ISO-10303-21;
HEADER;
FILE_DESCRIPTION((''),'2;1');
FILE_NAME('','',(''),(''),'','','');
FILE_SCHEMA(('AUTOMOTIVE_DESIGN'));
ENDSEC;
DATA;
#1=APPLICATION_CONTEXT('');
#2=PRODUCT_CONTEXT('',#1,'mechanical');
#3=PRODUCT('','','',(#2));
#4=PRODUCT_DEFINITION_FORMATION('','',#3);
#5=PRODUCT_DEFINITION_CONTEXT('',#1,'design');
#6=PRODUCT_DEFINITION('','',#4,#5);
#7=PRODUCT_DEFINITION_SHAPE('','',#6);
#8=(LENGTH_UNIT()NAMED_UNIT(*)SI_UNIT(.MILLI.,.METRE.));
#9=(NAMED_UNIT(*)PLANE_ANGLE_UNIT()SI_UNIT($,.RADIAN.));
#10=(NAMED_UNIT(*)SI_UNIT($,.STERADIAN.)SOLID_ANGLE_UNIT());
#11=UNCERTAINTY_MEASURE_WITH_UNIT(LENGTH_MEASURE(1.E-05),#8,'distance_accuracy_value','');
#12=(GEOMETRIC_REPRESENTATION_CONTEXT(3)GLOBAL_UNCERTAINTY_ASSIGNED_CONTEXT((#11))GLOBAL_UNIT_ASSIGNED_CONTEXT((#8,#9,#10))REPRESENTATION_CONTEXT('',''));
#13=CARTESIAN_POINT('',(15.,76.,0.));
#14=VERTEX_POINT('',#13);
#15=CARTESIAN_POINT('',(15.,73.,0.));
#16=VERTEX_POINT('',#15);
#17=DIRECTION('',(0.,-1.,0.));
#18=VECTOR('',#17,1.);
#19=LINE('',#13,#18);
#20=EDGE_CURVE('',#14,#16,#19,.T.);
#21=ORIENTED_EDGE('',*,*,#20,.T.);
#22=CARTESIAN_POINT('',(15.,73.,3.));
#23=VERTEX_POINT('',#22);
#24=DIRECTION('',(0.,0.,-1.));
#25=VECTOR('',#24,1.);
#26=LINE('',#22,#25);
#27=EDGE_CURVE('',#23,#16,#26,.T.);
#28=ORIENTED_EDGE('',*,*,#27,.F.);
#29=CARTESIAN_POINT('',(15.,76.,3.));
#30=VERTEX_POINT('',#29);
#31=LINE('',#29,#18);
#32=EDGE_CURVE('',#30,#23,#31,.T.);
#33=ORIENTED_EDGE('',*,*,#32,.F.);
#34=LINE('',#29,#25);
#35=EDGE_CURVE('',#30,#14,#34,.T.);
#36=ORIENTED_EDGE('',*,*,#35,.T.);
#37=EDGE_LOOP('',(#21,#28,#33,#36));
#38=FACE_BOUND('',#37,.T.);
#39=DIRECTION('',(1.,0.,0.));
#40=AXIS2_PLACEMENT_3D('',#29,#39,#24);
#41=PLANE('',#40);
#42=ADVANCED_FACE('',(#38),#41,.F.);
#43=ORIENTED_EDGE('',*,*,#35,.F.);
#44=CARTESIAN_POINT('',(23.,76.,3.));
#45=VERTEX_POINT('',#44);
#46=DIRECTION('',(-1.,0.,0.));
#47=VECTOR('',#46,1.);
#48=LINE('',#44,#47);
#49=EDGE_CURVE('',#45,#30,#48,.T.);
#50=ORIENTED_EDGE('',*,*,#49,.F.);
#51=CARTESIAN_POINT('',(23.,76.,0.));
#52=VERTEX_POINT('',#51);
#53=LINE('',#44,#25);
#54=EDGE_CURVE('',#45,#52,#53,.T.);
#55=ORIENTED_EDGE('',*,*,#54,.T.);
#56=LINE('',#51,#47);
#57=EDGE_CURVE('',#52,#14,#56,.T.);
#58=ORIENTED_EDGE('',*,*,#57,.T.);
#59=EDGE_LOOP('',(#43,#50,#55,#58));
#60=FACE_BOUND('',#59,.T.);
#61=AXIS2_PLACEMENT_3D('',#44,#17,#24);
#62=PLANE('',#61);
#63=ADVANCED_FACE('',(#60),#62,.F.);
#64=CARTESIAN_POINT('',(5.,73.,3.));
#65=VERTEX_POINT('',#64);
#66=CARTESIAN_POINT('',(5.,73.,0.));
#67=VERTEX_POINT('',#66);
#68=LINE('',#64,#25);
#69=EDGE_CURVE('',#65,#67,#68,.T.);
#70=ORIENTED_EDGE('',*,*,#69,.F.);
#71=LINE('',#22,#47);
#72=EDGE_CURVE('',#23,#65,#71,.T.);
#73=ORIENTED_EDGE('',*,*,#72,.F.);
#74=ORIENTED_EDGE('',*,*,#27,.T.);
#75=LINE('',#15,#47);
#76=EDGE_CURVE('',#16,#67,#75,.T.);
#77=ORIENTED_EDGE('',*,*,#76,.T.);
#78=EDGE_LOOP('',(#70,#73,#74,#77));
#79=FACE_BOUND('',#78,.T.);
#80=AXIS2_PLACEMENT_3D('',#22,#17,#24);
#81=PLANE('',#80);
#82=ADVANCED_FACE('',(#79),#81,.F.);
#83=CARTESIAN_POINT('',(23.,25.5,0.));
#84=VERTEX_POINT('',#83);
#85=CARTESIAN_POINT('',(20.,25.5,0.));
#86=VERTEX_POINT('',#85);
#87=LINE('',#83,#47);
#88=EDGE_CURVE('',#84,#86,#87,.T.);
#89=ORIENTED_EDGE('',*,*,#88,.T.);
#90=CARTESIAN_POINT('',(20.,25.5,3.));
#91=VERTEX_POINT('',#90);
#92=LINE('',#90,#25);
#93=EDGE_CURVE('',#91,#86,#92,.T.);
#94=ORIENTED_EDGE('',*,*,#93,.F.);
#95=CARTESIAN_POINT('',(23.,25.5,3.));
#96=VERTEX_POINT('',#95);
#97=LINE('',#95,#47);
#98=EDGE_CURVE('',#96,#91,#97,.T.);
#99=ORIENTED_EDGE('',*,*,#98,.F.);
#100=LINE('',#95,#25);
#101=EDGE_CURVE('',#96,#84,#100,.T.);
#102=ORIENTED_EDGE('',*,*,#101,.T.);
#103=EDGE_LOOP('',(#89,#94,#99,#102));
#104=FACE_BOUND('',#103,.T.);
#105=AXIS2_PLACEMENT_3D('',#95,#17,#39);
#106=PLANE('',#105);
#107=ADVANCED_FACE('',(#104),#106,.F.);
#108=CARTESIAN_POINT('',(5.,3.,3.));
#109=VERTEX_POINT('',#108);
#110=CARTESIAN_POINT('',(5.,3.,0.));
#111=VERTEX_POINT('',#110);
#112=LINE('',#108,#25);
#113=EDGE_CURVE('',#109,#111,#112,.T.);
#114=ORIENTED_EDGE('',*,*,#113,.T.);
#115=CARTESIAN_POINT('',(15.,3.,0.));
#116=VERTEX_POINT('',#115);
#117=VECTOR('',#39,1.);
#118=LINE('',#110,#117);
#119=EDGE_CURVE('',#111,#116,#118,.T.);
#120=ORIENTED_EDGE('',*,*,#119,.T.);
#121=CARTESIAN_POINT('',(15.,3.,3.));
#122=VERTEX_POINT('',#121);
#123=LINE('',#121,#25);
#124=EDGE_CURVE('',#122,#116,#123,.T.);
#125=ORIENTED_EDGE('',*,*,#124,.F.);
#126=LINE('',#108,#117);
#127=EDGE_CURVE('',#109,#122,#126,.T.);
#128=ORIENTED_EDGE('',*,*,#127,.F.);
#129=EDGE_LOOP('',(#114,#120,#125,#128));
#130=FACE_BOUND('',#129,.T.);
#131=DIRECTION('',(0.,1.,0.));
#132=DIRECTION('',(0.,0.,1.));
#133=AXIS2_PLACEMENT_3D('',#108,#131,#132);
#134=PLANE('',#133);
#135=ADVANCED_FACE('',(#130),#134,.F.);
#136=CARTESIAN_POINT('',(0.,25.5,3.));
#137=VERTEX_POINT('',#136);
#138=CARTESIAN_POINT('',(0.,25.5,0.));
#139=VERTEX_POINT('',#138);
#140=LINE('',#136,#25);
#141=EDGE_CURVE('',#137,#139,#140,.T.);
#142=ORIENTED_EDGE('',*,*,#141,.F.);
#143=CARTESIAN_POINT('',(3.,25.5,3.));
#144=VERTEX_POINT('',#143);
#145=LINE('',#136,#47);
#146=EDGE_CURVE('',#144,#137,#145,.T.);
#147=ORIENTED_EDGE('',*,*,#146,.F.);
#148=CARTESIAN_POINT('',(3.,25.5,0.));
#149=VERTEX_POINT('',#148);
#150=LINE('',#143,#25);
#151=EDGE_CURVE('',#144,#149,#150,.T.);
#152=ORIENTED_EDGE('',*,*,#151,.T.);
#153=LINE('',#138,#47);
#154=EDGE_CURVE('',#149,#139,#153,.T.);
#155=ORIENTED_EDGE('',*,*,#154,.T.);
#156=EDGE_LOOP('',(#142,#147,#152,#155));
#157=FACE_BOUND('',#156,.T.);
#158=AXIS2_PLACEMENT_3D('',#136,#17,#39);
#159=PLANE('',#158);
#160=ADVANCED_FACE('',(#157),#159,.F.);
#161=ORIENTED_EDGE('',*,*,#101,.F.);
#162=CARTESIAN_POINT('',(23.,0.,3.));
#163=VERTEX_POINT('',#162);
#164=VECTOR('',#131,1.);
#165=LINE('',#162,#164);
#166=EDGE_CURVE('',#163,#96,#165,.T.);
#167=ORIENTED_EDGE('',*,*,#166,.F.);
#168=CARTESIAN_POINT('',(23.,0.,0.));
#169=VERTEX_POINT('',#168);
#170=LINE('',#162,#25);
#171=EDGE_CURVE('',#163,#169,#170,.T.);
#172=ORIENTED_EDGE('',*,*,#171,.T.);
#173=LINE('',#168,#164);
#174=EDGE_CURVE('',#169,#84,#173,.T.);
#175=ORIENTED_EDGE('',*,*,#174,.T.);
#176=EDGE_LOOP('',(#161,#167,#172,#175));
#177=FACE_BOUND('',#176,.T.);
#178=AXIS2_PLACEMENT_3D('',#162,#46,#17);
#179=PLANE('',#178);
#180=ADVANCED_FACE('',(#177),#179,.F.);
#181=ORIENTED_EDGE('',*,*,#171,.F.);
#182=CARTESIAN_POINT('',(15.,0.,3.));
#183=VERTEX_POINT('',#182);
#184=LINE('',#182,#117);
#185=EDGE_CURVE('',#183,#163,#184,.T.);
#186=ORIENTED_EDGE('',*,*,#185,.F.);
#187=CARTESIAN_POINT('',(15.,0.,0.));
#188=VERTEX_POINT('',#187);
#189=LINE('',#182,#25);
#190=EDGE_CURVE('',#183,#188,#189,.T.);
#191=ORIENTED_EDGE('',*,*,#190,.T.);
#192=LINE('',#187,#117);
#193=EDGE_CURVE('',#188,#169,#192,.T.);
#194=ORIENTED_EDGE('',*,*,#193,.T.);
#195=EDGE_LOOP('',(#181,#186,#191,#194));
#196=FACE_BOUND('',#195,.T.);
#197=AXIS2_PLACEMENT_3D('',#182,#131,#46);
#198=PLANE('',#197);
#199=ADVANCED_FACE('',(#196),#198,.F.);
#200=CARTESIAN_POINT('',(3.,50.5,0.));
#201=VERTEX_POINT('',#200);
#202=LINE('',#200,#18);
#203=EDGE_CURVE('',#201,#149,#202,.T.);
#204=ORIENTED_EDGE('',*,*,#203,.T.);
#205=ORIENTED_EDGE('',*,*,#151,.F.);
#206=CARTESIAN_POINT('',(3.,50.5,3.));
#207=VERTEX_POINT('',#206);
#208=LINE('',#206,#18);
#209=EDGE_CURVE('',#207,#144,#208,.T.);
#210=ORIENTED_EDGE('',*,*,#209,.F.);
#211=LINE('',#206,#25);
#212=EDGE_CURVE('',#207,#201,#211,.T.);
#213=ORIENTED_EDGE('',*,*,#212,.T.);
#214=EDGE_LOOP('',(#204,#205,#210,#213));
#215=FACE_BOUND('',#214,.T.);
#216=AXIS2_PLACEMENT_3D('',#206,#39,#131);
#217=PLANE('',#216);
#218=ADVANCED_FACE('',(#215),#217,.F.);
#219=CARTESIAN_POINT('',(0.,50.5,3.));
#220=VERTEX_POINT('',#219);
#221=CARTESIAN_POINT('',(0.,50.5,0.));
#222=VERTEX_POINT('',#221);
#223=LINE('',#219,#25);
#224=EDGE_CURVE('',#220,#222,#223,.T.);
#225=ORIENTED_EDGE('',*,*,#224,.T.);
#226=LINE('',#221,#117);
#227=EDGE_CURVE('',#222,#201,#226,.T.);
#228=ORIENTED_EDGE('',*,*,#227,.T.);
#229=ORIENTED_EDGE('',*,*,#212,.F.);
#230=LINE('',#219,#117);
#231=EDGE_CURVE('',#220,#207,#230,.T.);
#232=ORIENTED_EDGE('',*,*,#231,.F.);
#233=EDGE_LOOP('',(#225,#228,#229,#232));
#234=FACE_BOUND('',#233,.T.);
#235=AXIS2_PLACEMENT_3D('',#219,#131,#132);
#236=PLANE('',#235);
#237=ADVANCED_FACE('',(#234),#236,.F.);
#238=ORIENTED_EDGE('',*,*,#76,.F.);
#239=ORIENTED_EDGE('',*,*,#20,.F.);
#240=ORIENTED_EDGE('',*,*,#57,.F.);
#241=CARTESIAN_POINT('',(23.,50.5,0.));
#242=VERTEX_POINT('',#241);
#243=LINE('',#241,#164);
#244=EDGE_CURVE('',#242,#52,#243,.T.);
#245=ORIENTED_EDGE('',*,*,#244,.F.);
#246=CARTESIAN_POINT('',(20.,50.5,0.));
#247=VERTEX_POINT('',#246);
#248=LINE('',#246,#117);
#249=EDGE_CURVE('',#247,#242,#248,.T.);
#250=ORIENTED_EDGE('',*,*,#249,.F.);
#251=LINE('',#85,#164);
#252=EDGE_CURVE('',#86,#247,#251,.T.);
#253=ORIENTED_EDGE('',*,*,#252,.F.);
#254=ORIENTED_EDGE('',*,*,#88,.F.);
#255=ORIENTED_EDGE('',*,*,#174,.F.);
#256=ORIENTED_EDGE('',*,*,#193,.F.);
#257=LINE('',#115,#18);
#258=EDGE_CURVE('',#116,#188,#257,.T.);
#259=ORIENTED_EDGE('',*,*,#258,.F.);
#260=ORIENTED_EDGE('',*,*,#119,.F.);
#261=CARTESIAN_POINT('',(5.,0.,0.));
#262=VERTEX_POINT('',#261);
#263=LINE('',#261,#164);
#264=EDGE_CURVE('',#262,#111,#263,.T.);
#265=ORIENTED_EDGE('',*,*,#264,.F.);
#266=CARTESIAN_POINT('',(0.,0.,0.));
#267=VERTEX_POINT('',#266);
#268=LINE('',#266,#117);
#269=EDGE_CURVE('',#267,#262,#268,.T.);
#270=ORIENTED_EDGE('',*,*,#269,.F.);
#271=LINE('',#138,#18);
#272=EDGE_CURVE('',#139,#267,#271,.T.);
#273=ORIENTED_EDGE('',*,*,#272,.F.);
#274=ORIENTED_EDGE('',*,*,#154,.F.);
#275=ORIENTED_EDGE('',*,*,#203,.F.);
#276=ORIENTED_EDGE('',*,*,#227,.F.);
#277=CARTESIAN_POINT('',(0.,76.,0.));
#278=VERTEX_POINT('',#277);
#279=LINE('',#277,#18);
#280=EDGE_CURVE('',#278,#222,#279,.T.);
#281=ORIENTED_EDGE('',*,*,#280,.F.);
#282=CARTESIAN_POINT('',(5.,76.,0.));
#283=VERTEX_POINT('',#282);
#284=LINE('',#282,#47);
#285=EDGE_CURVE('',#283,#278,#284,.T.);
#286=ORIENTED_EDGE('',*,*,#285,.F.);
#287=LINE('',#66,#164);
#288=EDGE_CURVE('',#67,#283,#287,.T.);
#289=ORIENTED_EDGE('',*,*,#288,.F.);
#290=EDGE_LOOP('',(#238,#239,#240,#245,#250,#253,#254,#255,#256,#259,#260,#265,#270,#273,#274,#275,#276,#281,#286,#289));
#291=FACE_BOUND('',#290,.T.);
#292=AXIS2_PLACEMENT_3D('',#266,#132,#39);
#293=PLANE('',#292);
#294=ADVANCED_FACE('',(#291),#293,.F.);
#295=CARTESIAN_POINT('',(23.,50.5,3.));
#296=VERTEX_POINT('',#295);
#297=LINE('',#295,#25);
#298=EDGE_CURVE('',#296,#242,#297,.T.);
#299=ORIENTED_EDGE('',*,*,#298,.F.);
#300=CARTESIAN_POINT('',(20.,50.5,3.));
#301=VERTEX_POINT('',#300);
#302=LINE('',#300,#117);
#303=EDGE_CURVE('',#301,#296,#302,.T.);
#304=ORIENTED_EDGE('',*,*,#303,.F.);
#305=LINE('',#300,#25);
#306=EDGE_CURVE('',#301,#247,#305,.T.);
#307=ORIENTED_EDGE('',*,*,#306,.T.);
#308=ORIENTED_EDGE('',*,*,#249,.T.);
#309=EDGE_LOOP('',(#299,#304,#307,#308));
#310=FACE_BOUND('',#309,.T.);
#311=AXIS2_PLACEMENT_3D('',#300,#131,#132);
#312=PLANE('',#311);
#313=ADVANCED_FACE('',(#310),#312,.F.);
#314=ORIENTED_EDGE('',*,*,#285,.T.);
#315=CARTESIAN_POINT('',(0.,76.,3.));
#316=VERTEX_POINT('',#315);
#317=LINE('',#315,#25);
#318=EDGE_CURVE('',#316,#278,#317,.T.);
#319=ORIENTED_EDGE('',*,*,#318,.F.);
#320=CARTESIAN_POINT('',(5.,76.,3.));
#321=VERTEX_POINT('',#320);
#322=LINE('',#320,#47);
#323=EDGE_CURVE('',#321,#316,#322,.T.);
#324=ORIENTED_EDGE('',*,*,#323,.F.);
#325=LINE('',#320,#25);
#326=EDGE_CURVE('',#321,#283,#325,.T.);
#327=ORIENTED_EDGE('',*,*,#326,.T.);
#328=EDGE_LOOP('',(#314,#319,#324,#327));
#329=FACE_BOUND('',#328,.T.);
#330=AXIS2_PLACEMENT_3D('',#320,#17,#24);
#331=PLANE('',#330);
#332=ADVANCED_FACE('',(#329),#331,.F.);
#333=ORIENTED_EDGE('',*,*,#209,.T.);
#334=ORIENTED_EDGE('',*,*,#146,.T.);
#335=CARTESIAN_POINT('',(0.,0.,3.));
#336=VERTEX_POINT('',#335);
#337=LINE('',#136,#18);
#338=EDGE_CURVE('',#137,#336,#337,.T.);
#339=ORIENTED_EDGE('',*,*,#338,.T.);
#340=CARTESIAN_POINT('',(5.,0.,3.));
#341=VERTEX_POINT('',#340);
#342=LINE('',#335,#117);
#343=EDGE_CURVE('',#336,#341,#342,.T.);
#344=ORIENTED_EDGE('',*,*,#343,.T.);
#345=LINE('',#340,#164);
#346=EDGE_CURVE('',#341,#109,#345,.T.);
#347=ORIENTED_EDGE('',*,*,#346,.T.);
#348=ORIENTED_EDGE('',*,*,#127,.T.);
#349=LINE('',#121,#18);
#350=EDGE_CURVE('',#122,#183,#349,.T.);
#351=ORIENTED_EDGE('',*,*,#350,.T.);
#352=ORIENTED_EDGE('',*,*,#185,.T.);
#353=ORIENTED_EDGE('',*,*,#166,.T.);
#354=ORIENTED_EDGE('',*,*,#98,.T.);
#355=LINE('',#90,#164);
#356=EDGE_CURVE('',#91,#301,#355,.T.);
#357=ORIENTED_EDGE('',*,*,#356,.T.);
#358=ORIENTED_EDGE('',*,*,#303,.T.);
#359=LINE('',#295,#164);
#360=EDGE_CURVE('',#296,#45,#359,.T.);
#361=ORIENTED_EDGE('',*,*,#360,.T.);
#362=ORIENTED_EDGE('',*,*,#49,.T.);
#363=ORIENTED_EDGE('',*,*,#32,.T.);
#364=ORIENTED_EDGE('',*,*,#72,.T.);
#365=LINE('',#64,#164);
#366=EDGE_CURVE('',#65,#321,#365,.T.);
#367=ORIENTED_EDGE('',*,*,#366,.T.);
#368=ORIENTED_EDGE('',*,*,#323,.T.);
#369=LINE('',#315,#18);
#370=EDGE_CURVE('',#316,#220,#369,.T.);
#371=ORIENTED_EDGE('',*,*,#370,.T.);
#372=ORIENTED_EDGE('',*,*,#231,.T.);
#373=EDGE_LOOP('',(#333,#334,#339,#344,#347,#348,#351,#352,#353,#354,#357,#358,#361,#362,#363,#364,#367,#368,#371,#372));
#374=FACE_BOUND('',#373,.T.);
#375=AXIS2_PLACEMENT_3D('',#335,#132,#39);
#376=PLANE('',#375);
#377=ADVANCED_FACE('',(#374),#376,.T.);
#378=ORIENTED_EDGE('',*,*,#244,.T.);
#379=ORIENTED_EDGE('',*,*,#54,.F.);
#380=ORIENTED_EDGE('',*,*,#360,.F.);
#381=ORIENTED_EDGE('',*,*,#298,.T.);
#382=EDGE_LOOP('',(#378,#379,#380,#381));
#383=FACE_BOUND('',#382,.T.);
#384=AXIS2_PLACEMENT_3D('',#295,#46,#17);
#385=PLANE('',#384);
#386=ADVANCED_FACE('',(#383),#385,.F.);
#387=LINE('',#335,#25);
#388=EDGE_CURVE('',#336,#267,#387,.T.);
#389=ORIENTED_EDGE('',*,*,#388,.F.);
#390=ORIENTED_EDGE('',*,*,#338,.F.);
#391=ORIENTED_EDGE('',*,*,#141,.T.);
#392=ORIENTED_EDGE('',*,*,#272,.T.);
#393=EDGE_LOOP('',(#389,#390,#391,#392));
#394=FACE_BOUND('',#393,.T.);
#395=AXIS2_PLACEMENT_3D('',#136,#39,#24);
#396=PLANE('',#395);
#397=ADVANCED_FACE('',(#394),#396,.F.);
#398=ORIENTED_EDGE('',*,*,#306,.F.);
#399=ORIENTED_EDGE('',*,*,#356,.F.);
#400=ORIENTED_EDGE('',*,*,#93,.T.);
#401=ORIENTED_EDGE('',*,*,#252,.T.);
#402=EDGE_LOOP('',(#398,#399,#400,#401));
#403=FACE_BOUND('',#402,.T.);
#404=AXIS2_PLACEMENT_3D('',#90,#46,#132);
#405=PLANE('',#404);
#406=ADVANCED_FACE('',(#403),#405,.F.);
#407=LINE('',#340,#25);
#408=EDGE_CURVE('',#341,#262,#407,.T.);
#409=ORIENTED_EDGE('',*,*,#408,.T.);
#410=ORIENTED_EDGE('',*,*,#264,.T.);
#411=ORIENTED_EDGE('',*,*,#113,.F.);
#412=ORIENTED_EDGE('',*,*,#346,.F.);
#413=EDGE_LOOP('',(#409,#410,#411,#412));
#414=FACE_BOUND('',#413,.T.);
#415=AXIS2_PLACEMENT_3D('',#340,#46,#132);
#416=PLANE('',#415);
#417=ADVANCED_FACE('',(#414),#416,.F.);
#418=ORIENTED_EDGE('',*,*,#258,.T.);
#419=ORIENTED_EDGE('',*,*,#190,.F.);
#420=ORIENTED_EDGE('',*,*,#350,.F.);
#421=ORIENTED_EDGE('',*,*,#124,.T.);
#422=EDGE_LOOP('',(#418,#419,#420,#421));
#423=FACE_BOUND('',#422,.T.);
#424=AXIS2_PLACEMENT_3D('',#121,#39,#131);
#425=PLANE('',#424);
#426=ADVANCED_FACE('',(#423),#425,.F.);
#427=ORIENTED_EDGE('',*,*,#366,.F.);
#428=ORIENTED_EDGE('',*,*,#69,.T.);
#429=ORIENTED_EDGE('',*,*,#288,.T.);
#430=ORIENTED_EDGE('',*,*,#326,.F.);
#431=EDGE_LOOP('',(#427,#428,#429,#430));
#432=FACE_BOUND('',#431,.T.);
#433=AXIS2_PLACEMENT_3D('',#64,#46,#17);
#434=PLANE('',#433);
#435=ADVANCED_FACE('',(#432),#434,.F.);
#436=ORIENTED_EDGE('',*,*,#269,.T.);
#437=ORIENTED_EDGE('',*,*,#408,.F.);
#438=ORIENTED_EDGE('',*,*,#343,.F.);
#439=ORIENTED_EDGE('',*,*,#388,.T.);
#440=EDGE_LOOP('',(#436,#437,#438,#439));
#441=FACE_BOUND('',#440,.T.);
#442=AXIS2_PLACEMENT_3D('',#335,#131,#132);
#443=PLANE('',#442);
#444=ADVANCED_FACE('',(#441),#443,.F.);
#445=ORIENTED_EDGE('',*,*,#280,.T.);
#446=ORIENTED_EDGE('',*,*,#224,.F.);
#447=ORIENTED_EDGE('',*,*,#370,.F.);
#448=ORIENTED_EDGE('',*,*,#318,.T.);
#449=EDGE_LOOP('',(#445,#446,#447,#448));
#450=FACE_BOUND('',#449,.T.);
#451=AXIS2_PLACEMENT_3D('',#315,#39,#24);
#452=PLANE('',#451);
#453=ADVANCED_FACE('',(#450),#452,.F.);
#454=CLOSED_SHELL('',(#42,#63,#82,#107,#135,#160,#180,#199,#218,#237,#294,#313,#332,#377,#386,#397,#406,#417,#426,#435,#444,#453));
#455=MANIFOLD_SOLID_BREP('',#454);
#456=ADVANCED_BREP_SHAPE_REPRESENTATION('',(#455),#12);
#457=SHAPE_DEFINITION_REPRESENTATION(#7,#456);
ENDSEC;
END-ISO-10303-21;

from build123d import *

# Parameters (mm, degrees)
BOSS_EXTRUDE1_DEPTH = 3


with BuildPart() as part:
    # Sketch1 → Boss-Extrude1 (new body)
    with BuildSketch(Plane.XY):
        Polygon((0, 76), (0, 50.5), (3, 50.5), (3, 25.5), (0, 25.5), (0, 0), (5, 0), (5, 3), (15, 3), (15, 0), (23, 0), (23, 25.5), (20, 25.5), (20, 50.5), (23, 50.5), (23, 76), (15, 76), (15, 73), (5, 73), (5, 76), align=None)
    extrude(amount=BOSS_EXTRUDE1_DEPTH)


solid = part.part
